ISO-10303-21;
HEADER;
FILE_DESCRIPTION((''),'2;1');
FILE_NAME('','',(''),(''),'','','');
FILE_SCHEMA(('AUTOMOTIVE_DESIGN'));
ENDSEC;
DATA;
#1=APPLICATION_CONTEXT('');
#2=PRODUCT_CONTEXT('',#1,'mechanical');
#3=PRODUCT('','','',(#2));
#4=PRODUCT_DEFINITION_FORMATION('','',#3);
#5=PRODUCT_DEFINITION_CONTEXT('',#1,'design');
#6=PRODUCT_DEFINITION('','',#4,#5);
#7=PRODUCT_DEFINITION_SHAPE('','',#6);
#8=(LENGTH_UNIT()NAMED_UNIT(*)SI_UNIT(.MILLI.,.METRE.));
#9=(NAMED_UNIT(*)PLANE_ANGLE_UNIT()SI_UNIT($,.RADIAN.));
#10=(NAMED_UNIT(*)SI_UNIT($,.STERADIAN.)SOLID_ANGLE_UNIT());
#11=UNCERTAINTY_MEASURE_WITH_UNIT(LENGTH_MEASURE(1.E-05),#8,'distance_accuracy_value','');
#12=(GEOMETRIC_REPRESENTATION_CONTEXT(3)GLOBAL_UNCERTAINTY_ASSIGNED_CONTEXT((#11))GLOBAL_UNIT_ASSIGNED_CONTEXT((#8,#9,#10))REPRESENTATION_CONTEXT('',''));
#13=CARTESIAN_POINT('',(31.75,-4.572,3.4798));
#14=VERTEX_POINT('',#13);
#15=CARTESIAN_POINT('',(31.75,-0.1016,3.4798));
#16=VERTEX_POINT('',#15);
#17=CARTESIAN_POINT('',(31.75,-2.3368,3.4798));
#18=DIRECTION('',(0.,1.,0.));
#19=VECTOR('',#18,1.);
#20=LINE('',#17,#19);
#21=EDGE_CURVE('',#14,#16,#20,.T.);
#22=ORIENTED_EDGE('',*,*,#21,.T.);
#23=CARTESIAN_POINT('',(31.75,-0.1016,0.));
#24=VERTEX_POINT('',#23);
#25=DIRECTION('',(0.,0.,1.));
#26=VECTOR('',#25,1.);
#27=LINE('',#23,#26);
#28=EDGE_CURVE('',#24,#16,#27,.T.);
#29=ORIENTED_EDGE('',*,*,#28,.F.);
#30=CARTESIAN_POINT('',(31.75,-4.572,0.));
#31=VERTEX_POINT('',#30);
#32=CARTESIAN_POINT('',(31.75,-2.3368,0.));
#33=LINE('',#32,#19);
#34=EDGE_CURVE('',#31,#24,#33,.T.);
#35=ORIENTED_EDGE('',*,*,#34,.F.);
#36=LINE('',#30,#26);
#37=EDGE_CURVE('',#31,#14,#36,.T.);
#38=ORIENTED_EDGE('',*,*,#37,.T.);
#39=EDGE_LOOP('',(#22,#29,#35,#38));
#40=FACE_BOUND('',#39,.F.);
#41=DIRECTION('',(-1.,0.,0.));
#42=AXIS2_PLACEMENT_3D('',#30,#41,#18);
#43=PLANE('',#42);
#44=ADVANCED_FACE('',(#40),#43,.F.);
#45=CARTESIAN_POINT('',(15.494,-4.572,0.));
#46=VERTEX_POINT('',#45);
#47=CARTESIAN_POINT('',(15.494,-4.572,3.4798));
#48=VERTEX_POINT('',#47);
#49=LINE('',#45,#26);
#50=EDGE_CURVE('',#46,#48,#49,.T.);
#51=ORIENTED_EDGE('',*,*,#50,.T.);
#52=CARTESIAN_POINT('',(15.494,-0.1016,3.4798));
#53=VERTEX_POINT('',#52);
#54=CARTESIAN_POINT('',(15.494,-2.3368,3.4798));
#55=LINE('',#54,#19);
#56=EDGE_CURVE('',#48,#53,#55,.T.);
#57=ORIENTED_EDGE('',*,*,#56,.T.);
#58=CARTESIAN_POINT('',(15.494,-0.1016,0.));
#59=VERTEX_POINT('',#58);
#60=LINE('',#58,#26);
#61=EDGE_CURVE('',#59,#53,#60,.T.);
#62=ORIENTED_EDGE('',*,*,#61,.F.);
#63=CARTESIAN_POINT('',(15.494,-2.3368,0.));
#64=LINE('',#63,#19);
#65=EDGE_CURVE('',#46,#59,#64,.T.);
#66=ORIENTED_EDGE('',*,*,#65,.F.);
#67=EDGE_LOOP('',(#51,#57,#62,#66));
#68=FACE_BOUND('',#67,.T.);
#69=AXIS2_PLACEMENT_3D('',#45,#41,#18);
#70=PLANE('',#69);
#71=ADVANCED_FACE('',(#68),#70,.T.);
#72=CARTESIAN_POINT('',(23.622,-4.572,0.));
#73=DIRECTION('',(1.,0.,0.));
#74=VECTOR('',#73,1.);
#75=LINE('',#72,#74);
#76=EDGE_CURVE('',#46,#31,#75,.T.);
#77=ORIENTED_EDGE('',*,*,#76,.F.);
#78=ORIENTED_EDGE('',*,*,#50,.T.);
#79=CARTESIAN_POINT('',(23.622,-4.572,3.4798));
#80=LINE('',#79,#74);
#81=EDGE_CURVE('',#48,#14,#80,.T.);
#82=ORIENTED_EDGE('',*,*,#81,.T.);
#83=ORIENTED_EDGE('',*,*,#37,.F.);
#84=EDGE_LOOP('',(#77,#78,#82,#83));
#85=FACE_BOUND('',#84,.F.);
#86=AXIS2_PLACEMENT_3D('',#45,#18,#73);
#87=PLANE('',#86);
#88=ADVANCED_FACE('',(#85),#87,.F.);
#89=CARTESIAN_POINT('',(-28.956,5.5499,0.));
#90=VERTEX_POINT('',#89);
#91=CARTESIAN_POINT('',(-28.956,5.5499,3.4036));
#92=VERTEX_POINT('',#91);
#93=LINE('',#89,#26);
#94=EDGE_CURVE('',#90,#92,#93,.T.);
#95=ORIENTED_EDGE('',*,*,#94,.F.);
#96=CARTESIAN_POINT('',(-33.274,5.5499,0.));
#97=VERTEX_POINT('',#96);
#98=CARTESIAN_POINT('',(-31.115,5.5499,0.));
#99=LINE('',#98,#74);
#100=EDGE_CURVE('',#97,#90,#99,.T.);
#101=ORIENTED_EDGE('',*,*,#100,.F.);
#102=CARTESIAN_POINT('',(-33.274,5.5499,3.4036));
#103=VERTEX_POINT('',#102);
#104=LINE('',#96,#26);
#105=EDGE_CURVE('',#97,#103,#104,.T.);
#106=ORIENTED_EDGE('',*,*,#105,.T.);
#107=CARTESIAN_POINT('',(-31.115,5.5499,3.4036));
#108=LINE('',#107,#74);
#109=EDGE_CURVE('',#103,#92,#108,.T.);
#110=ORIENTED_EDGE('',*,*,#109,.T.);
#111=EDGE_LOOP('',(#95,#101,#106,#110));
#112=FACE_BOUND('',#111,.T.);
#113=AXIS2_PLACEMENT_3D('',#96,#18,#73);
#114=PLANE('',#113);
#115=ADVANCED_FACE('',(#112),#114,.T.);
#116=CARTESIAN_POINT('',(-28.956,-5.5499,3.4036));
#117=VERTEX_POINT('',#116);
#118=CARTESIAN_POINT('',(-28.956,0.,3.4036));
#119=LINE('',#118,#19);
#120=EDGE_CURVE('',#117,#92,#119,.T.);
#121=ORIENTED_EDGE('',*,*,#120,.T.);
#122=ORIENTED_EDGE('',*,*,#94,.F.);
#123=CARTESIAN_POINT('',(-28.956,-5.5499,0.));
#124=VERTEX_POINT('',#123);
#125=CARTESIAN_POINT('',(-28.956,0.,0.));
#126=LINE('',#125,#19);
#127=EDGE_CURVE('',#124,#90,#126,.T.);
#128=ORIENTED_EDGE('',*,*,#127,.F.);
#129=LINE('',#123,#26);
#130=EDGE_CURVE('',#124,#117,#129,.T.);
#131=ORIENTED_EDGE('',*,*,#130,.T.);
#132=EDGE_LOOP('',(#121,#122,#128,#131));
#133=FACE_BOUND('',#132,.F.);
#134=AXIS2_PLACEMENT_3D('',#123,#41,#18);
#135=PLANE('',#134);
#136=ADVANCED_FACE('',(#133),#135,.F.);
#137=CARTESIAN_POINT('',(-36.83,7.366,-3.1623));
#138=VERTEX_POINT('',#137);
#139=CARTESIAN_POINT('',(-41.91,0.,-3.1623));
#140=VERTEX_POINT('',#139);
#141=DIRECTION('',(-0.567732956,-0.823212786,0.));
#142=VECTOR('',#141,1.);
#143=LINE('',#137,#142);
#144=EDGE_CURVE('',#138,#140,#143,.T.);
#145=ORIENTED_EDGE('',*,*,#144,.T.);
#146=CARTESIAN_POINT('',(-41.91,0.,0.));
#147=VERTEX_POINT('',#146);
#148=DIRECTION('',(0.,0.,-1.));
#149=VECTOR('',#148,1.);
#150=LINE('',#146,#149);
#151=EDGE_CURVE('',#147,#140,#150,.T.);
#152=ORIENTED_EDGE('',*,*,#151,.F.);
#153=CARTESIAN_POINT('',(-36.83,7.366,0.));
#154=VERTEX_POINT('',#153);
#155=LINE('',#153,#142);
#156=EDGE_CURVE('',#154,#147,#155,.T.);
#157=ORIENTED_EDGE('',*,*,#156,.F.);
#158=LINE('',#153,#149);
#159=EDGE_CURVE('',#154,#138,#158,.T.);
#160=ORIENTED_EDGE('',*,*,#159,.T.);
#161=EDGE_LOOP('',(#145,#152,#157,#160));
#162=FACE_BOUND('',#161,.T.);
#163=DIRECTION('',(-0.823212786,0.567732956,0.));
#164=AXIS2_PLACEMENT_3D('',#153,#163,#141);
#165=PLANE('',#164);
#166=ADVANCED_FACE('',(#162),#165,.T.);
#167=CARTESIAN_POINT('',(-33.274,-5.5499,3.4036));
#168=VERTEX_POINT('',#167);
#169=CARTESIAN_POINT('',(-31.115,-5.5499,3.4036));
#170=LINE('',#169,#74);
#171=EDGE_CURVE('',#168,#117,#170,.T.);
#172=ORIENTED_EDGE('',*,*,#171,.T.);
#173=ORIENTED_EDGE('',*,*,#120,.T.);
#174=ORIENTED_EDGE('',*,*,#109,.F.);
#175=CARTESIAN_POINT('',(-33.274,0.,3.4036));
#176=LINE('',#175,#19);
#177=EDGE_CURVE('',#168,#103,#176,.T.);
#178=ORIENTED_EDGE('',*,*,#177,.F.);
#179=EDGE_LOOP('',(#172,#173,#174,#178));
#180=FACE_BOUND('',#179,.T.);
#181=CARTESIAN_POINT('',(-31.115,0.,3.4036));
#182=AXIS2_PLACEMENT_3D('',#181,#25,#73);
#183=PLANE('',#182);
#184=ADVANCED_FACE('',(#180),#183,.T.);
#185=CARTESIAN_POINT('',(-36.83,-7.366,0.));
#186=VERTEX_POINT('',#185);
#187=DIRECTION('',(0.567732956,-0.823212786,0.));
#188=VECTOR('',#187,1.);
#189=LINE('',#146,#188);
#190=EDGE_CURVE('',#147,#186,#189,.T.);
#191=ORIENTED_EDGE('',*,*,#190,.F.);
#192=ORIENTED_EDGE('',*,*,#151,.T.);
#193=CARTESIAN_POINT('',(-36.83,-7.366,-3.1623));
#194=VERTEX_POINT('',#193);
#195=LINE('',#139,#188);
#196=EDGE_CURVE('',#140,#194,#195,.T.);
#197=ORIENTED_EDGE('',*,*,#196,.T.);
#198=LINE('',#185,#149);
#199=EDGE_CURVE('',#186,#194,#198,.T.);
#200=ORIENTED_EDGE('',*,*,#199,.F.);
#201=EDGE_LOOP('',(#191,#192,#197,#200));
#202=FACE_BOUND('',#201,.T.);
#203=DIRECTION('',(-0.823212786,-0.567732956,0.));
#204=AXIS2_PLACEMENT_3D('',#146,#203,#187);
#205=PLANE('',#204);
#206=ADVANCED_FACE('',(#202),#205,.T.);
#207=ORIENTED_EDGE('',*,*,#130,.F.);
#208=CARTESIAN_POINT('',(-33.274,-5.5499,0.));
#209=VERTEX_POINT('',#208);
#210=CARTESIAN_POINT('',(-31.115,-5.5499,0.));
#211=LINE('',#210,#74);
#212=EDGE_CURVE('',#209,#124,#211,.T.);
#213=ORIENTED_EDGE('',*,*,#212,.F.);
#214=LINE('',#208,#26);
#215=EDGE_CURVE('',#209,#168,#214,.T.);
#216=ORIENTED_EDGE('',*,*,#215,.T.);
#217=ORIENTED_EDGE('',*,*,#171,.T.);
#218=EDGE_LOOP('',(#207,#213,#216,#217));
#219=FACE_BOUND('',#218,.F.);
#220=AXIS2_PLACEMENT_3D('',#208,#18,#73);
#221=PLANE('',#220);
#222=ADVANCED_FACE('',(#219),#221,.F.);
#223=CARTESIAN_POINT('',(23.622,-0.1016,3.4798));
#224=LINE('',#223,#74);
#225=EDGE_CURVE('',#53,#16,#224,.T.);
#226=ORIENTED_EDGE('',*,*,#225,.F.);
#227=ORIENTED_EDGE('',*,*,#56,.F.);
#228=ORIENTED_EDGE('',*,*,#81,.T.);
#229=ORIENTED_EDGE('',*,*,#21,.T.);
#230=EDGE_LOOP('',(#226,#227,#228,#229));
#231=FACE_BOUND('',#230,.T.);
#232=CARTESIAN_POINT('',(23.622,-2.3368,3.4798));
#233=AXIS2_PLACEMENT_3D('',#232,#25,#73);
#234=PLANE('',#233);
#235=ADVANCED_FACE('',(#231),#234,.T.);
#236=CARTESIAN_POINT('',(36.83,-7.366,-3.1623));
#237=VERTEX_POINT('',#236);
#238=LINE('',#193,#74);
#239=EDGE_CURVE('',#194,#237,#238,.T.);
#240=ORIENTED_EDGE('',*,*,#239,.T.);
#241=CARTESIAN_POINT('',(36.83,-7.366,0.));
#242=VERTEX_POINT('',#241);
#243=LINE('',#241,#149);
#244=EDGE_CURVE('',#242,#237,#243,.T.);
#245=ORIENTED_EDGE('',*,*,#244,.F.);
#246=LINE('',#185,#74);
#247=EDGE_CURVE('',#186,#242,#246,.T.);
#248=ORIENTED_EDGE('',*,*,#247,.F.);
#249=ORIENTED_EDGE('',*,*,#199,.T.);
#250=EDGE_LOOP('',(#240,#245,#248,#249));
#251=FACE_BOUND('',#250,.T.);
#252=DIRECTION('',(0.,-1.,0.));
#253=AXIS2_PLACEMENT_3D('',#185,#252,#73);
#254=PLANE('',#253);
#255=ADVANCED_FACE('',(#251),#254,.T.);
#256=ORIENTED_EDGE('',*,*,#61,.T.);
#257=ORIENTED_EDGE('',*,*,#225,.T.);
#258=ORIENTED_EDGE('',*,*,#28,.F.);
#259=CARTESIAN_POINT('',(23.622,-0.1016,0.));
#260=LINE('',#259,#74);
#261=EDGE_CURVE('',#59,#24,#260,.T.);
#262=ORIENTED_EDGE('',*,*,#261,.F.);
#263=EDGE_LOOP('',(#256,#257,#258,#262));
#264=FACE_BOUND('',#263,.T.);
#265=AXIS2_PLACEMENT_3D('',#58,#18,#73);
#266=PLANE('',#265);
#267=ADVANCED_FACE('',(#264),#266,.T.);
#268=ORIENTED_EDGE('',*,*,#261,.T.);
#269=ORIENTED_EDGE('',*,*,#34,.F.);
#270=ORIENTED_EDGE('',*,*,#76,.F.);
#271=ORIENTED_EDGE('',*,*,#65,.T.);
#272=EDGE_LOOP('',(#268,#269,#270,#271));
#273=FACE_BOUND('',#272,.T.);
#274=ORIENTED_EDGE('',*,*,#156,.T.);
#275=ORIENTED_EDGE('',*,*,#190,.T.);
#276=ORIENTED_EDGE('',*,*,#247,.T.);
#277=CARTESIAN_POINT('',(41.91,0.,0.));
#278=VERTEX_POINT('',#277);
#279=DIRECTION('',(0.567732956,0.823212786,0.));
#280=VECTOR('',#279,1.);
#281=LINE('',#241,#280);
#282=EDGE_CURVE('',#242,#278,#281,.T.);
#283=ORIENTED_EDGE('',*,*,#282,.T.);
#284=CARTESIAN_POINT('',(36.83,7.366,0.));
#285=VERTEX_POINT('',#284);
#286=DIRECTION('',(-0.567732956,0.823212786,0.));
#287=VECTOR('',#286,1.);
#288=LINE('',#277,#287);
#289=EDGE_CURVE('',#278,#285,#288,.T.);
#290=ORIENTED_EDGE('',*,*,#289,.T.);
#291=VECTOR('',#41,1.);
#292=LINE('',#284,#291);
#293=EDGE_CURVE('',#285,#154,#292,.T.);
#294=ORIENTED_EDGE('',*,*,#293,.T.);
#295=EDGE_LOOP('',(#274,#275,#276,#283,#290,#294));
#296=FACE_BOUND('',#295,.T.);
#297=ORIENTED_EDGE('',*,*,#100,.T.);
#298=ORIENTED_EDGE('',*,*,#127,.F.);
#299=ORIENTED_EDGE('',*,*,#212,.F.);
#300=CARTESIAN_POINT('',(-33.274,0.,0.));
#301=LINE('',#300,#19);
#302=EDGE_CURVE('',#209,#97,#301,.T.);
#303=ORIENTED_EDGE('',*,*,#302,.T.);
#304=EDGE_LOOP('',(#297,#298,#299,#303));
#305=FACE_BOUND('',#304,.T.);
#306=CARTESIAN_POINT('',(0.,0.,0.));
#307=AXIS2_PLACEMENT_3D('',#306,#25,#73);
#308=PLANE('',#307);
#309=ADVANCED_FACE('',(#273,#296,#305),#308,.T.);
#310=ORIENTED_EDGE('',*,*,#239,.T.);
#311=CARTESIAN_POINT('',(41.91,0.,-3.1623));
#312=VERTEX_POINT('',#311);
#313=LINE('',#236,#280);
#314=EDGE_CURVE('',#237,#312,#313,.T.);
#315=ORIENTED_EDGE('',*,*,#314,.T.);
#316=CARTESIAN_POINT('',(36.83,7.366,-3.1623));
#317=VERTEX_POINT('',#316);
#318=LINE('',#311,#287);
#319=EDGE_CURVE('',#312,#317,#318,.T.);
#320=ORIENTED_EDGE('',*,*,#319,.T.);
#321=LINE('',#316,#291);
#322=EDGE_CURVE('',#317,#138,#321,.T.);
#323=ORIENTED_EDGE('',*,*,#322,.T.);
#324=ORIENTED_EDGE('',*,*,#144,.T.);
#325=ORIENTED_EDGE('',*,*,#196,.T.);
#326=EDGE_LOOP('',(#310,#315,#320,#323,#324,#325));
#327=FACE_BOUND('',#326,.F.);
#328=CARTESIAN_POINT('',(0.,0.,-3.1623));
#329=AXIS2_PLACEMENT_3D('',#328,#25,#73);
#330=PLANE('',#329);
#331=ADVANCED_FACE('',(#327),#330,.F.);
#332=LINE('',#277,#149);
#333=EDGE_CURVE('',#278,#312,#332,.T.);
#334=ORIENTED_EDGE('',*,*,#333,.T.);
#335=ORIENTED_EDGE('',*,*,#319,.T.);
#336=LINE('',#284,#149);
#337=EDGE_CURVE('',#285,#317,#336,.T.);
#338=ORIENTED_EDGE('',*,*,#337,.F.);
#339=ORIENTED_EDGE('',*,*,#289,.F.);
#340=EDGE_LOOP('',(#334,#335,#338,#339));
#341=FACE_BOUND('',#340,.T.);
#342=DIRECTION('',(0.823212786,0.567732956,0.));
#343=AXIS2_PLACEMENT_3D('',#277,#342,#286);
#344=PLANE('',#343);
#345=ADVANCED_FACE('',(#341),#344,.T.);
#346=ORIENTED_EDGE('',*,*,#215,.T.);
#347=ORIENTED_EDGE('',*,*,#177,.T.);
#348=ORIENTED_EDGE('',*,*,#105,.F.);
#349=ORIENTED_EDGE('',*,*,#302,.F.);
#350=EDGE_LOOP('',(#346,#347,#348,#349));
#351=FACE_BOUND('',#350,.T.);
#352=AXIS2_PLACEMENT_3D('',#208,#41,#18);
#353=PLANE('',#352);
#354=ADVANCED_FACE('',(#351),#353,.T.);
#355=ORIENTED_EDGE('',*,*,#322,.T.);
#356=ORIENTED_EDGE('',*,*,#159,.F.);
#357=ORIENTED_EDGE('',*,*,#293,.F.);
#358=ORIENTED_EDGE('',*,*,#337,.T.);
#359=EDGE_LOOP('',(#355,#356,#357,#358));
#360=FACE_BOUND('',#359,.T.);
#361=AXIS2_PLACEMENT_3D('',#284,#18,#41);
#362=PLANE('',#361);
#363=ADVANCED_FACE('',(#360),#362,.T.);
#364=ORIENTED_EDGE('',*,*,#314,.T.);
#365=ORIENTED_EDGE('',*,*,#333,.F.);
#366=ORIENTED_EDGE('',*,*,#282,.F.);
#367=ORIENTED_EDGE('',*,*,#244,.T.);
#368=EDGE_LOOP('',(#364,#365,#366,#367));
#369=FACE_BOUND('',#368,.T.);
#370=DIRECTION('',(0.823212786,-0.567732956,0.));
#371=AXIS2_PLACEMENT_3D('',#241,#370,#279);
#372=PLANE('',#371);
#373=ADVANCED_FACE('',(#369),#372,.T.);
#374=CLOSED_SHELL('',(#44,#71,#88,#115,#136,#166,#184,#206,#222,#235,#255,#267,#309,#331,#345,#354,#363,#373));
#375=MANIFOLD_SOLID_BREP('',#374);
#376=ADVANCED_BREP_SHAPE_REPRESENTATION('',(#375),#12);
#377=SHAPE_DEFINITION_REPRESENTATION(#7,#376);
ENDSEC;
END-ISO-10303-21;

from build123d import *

# Parameters (mm, degrees)
F0_W     = 4.318
F0_H     = 11.0998
F0_W_2   = 16.256
F0_H_2   = 4.4704
F1_DEPTH = 3.1623
F2_DEPTH = 3.4798
F3_DEPTH = 3.4036


with BuildPart() as f1:
    # F0 (on Top) → F1 (new body)
    with BuildSketch(Plane.XY):
        Polygon((36.83, 7.366), (-36.83, 7.366), (-41.91, 0), (-36.83, -7.366), (36.83, -7.366), (41.91, 0), align=None)
        with Locations((-31.115, 0)):
            Rectangle(F0_W, F0_H, mode=Mode.SUBTRACT)
        with Locations((23.622, -2.3368)):
            Rectangle(F0_W_2, F0_H_2, mode=Mode.SUBTRACT)
        with Locations((-31.115, 0)):
            Rectangle(F0_W, F0_H)
        with Locations((23.622, -2.3368)):
            Rectangle(F0_W_2, F0_H_2)
    extrude(amount=-F1_DEPTH)

    # F0 (on Top) → F2 (join)
    with BuildSketch(Plane.XY):
        with Locations((23.622, -2.3368)):
            Rectangle(F0_W_2, F0_H_2)
    extrude(amount=F2_DEPTH)

    # F0 (on Top) → F3 (join)
    with BuildSketch(Plane.XY):
        with Locations((-31.115, 0)):
            Rectangle(F0_W, F0_H)
    extrude(amount=F3_DEPTH)


solid = f1.part
